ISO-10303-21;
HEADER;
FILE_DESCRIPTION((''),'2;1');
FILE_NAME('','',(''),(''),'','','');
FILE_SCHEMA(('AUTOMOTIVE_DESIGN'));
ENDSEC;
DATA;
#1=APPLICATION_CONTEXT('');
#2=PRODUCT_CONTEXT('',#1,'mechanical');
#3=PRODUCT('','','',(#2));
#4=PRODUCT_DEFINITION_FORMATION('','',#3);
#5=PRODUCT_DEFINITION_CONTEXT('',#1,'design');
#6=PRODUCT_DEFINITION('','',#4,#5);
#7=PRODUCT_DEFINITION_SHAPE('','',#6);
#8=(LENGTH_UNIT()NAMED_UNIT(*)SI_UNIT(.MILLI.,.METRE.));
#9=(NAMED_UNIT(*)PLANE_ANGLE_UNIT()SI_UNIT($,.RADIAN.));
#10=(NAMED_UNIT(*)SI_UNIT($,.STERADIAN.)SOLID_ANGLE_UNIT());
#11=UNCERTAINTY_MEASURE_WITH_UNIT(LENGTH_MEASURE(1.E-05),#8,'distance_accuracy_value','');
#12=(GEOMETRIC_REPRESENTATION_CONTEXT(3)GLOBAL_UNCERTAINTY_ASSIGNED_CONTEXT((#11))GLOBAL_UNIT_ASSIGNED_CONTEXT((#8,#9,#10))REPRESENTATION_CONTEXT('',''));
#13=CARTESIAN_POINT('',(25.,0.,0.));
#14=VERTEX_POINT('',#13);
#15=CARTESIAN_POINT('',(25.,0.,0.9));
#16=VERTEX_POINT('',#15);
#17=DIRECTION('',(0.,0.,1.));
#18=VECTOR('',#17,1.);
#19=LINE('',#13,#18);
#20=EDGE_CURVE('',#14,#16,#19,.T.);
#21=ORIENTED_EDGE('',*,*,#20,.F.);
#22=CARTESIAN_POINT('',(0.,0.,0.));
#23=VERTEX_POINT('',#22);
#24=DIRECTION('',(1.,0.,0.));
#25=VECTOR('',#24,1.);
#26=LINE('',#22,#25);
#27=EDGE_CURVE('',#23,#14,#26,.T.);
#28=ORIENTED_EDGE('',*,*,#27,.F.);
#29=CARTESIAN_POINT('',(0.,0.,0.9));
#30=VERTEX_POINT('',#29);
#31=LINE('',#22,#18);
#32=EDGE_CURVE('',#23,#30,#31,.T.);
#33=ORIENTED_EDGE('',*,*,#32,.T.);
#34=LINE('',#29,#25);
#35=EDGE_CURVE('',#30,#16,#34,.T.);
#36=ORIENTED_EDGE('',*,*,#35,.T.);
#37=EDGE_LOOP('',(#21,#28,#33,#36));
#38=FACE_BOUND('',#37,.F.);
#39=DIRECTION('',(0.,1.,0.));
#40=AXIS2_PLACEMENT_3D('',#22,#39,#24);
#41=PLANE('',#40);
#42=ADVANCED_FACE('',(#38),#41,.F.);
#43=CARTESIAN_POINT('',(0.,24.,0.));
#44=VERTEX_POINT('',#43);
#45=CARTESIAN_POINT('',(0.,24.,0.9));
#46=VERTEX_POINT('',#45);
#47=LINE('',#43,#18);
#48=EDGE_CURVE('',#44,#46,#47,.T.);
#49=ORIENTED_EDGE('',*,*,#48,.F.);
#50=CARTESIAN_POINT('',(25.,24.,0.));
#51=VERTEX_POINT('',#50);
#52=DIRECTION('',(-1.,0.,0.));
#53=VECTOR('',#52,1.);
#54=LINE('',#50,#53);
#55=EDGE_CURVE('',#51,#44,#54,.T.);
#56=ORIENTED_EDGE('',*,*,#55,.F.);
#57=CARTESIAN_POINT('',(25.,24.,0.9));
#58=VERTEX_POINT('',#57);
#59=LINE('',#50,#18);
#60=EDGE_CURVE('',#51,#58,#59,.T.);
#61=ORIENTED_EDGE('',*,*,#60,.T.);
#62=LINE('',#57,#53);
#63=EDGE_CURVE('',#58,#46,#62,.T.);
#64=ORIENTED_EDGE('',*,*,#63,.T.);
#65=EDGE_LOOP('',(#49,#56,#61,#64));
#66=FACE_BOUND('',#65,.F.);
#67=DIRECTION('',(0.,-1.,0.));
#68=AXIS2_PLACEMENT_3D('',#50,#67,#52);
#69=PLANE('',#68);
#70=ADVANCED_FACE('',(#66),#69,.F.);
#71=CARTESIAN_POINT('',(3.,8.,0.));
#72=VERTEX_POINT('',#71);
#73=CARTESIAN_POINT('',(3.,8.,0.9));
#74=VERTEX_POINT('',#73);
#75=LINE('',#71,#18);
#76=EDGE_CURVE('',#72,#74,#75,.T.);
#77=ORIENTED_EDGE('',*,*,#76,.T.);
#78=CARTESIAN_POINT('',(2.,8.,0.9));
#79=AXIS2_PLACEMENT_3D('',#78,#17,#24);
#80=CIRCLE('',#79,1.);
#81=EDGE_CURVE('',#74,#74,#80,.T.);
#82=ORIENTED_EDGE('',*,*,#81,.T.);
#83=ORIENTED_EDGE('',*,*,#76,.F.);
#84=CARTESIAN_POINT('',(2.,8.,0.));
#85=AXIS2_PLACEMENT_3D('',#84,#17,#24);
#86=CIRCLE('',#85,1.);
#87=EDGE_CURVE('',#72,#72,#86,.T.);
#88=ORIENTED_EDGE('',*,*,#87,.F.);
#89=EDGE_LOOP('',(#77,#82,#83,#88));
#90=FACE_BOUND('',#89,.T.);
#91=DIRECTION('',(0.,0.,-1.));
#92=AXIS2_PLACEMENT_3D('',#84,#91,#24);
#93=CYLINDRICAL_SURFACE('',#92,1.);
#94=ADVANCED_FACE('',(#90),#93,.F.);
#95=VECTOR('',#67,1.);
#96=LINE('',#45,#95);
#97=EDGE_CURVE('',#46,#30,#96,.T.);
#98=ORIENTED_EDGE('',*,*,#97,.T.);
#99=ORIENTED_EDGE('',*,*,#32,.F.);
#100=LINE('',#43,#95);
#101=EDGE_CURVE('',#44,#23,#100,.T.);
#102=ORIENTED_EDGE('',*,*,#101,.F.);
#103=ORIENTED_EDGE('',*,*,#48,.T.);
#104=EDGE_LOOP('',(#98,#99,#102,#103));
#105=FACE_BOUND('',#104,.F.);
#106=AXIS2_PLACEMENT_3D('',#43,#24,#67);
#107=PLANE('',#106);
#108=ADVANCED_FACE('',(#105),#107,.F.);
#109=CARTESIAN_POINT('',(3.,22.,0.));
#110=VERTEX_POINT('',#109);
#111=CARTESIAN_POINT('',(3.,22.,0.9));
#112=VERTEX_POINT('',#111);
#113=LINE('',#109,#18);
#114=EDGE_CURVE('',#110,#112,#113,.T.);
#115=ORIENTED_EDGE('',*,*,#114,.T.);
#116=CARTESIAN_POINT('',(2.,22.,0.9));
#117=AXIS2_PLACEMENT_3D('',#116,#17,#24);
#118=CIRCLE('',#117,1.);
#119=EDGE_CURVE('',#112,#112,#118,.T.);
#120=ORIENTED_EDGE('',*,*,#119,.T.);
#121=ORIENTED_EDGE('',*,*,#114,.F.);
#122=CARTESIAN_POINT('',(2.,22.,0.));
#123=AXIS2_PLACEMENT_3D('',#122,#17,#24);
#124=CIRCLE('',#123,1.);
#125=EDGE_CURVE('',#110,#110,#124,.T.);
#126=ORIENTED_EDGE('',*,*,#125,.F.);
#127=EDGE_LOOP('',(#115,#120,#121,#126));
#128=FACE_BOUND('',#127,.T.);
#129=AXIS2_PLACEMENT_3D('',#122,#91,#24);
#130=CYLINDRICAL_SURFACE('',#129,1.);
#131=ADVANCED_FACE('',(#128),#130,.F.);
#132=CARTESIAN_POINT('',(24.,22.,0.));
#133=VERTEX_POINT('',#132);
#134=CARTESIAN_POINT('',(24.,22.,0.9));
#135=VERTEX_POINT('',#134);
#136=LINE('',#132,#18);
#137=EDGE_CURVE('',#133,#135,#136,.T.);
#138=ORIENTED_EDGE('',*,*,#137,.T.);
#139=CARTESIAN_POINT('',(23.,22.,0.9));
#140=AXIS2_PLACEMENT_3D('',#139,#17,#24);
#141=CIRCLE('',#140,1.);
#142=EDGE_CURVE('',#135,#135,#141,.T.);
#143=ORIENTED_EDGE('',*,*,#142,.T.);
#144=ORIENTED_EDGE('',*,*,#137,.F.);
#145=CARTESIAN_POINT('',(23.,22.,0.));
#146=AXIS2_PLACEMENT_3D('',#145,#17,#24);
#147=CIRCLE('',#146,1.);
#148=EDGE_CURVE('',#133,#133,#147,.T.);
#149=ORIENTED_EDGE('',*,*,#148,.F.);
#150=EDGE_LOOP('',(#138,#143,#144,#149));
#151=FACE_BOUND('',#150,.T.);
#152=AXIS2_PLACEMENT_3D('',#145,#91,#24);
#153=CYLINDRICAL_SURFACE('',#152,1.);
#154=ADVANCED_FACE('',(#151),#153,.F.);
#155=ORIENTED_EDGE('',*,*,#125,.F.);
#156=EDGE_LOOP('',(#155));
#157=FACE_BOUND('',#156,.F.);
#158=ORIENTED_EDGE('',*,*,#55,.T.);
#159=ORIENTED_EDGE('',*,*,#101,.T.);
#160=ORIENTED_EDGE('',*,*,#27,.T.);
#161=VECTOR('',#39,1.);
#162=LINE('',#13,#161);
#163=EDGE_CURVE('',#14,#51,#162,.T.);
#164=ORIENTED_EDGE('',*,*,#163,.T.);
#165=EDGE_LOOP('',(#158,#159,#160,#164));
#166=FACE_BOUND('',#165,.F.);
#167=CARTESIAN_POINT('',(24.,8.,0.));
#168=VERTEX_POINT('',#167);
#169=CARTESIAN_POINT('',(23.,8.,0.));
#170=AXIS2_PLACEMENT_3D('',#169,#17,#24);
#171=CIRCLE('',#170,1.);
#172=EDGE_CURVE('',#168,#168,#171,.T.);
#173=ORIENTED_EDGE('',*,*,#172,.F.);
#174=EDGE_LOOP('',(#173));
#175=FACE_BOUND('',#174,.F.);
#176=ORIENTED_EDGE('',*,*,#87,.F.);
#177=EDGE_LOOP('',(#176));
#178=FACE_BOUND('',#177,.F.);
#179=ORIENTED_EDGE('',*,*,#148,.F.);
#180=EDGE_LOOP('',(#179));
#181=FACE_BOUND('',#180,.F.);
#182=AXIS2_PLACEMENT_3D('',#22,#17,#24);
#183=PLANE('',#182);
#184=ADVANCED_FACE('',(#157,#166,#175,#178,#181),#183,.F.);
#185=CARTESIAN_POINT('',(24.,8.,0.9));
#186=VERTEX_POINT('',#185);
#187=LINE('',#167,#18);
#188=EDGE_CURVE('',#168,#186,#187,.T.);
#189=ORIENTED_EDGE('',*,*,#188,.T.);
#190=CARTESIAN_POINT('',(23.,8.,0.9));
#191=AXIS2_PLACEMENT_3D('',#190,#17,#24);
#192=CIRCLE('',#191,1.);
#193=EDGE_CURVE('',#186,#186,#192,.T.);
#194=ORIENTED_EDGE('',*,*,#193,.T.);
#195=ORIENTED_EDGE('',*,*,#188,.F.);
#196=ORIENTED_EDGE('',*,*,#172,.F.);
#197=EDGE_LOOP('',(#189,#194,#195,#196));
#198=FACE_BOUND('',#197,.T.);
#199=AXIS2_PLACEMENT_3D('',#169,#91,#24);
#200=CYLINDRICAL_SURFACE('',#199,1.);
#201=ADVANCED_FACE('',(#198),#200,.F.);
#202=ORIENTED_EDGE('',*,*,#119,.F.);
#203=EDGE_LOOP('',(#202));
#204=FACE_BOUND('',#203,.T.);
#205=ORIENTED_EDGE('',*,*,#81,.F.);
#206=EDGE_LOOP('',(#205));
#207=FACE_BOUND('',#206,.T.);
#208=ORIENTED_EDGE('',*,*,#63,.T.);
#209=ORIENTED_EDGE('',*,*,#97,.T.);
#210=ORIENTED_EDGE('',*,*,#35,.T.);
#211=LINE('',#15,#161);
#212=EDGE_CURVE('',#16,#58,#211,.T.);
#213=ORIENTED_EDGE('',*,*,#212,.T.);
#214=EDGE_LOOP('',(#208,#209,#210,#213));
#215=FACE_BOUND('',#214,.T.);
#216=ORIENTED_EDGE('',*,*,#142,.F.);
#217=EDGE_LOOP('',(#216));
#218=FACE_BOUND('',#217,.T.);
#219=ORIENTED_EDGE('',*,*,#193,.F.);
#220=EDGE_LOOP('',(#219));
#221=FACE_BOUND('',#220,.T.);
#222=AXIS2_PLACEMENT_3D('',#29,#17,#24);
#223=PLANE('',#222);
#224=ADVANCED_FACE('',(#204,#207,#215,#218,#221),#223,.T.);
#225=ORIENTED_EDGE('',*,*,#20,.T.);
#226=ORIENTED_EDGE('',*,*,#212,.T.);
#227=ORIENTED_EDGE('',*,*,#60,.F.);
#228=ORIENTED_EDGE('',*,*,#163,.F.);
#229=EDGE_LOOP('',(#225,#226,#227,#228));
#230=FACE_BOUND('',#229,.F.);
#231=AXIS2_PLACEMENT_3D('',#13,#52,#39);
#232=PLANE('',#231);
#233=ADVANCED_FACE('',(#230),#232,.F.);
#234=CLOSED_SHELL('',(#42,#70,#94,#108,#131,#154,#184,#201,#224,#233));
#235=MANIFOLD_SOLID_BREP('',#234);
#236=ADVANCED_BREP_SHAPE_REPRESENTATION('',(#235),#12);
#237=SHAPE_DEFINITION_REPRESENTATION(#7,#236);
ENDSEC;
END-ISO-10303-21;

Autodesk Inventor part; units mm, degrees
ref_plane "YZ Plane" through (0, 0, 0) normal (1, 0, 0) x (0, 1, 0)
ref_plane "XZ Plane" through (0, 0, 0) normal (0, 1, 0) x (-1, 0, 0)
ref_plane "XY Plane" through (0, 0, 0) normal (0, 0, 1) x (1, 0, 0)
sketch "Skizze1" plane through (0, 0, 0) normal (0, 0, 1) x (1, 0, 0)
  line L0 (0, 0) -> (25, 0)
  line L1 (25, 0) -> (25, 24)
  line L2 (25, 24) -> (0, 24)
  line L3 (0, 24) -> (0, 0)
  circle A0 centre (2, 22) radius 1
  circle A1 centre (23, 22) radius 1
  circle A2 centre (2, 8) radius 1
  circle A3 centre (23, 8) radius 1
  dimension "d0" = 25
  dimension "d1" = 24
  dimension "d2" = 2
  dimension "d3" = 2
  dimension "d4" = 2
  dimension "d5" = 2
  dimension "d6" = 2
  dimension "d7" = 2
  dimension "d8" = 2
  dimension "d9" = 2
  dimension "d10" = 2
  dimension "d11" = 2
  dimension "d12" = 8
  dimension "d13" = 8
extrude "Extrusion1" add sketch "Skizze1" along normal blind 0.9
ref_plane "Arbeitsebene1" through (12.5, 24, 0.9) normal (-1, 0, 0) x (0, -1, 0)
properties part number "pcb"
